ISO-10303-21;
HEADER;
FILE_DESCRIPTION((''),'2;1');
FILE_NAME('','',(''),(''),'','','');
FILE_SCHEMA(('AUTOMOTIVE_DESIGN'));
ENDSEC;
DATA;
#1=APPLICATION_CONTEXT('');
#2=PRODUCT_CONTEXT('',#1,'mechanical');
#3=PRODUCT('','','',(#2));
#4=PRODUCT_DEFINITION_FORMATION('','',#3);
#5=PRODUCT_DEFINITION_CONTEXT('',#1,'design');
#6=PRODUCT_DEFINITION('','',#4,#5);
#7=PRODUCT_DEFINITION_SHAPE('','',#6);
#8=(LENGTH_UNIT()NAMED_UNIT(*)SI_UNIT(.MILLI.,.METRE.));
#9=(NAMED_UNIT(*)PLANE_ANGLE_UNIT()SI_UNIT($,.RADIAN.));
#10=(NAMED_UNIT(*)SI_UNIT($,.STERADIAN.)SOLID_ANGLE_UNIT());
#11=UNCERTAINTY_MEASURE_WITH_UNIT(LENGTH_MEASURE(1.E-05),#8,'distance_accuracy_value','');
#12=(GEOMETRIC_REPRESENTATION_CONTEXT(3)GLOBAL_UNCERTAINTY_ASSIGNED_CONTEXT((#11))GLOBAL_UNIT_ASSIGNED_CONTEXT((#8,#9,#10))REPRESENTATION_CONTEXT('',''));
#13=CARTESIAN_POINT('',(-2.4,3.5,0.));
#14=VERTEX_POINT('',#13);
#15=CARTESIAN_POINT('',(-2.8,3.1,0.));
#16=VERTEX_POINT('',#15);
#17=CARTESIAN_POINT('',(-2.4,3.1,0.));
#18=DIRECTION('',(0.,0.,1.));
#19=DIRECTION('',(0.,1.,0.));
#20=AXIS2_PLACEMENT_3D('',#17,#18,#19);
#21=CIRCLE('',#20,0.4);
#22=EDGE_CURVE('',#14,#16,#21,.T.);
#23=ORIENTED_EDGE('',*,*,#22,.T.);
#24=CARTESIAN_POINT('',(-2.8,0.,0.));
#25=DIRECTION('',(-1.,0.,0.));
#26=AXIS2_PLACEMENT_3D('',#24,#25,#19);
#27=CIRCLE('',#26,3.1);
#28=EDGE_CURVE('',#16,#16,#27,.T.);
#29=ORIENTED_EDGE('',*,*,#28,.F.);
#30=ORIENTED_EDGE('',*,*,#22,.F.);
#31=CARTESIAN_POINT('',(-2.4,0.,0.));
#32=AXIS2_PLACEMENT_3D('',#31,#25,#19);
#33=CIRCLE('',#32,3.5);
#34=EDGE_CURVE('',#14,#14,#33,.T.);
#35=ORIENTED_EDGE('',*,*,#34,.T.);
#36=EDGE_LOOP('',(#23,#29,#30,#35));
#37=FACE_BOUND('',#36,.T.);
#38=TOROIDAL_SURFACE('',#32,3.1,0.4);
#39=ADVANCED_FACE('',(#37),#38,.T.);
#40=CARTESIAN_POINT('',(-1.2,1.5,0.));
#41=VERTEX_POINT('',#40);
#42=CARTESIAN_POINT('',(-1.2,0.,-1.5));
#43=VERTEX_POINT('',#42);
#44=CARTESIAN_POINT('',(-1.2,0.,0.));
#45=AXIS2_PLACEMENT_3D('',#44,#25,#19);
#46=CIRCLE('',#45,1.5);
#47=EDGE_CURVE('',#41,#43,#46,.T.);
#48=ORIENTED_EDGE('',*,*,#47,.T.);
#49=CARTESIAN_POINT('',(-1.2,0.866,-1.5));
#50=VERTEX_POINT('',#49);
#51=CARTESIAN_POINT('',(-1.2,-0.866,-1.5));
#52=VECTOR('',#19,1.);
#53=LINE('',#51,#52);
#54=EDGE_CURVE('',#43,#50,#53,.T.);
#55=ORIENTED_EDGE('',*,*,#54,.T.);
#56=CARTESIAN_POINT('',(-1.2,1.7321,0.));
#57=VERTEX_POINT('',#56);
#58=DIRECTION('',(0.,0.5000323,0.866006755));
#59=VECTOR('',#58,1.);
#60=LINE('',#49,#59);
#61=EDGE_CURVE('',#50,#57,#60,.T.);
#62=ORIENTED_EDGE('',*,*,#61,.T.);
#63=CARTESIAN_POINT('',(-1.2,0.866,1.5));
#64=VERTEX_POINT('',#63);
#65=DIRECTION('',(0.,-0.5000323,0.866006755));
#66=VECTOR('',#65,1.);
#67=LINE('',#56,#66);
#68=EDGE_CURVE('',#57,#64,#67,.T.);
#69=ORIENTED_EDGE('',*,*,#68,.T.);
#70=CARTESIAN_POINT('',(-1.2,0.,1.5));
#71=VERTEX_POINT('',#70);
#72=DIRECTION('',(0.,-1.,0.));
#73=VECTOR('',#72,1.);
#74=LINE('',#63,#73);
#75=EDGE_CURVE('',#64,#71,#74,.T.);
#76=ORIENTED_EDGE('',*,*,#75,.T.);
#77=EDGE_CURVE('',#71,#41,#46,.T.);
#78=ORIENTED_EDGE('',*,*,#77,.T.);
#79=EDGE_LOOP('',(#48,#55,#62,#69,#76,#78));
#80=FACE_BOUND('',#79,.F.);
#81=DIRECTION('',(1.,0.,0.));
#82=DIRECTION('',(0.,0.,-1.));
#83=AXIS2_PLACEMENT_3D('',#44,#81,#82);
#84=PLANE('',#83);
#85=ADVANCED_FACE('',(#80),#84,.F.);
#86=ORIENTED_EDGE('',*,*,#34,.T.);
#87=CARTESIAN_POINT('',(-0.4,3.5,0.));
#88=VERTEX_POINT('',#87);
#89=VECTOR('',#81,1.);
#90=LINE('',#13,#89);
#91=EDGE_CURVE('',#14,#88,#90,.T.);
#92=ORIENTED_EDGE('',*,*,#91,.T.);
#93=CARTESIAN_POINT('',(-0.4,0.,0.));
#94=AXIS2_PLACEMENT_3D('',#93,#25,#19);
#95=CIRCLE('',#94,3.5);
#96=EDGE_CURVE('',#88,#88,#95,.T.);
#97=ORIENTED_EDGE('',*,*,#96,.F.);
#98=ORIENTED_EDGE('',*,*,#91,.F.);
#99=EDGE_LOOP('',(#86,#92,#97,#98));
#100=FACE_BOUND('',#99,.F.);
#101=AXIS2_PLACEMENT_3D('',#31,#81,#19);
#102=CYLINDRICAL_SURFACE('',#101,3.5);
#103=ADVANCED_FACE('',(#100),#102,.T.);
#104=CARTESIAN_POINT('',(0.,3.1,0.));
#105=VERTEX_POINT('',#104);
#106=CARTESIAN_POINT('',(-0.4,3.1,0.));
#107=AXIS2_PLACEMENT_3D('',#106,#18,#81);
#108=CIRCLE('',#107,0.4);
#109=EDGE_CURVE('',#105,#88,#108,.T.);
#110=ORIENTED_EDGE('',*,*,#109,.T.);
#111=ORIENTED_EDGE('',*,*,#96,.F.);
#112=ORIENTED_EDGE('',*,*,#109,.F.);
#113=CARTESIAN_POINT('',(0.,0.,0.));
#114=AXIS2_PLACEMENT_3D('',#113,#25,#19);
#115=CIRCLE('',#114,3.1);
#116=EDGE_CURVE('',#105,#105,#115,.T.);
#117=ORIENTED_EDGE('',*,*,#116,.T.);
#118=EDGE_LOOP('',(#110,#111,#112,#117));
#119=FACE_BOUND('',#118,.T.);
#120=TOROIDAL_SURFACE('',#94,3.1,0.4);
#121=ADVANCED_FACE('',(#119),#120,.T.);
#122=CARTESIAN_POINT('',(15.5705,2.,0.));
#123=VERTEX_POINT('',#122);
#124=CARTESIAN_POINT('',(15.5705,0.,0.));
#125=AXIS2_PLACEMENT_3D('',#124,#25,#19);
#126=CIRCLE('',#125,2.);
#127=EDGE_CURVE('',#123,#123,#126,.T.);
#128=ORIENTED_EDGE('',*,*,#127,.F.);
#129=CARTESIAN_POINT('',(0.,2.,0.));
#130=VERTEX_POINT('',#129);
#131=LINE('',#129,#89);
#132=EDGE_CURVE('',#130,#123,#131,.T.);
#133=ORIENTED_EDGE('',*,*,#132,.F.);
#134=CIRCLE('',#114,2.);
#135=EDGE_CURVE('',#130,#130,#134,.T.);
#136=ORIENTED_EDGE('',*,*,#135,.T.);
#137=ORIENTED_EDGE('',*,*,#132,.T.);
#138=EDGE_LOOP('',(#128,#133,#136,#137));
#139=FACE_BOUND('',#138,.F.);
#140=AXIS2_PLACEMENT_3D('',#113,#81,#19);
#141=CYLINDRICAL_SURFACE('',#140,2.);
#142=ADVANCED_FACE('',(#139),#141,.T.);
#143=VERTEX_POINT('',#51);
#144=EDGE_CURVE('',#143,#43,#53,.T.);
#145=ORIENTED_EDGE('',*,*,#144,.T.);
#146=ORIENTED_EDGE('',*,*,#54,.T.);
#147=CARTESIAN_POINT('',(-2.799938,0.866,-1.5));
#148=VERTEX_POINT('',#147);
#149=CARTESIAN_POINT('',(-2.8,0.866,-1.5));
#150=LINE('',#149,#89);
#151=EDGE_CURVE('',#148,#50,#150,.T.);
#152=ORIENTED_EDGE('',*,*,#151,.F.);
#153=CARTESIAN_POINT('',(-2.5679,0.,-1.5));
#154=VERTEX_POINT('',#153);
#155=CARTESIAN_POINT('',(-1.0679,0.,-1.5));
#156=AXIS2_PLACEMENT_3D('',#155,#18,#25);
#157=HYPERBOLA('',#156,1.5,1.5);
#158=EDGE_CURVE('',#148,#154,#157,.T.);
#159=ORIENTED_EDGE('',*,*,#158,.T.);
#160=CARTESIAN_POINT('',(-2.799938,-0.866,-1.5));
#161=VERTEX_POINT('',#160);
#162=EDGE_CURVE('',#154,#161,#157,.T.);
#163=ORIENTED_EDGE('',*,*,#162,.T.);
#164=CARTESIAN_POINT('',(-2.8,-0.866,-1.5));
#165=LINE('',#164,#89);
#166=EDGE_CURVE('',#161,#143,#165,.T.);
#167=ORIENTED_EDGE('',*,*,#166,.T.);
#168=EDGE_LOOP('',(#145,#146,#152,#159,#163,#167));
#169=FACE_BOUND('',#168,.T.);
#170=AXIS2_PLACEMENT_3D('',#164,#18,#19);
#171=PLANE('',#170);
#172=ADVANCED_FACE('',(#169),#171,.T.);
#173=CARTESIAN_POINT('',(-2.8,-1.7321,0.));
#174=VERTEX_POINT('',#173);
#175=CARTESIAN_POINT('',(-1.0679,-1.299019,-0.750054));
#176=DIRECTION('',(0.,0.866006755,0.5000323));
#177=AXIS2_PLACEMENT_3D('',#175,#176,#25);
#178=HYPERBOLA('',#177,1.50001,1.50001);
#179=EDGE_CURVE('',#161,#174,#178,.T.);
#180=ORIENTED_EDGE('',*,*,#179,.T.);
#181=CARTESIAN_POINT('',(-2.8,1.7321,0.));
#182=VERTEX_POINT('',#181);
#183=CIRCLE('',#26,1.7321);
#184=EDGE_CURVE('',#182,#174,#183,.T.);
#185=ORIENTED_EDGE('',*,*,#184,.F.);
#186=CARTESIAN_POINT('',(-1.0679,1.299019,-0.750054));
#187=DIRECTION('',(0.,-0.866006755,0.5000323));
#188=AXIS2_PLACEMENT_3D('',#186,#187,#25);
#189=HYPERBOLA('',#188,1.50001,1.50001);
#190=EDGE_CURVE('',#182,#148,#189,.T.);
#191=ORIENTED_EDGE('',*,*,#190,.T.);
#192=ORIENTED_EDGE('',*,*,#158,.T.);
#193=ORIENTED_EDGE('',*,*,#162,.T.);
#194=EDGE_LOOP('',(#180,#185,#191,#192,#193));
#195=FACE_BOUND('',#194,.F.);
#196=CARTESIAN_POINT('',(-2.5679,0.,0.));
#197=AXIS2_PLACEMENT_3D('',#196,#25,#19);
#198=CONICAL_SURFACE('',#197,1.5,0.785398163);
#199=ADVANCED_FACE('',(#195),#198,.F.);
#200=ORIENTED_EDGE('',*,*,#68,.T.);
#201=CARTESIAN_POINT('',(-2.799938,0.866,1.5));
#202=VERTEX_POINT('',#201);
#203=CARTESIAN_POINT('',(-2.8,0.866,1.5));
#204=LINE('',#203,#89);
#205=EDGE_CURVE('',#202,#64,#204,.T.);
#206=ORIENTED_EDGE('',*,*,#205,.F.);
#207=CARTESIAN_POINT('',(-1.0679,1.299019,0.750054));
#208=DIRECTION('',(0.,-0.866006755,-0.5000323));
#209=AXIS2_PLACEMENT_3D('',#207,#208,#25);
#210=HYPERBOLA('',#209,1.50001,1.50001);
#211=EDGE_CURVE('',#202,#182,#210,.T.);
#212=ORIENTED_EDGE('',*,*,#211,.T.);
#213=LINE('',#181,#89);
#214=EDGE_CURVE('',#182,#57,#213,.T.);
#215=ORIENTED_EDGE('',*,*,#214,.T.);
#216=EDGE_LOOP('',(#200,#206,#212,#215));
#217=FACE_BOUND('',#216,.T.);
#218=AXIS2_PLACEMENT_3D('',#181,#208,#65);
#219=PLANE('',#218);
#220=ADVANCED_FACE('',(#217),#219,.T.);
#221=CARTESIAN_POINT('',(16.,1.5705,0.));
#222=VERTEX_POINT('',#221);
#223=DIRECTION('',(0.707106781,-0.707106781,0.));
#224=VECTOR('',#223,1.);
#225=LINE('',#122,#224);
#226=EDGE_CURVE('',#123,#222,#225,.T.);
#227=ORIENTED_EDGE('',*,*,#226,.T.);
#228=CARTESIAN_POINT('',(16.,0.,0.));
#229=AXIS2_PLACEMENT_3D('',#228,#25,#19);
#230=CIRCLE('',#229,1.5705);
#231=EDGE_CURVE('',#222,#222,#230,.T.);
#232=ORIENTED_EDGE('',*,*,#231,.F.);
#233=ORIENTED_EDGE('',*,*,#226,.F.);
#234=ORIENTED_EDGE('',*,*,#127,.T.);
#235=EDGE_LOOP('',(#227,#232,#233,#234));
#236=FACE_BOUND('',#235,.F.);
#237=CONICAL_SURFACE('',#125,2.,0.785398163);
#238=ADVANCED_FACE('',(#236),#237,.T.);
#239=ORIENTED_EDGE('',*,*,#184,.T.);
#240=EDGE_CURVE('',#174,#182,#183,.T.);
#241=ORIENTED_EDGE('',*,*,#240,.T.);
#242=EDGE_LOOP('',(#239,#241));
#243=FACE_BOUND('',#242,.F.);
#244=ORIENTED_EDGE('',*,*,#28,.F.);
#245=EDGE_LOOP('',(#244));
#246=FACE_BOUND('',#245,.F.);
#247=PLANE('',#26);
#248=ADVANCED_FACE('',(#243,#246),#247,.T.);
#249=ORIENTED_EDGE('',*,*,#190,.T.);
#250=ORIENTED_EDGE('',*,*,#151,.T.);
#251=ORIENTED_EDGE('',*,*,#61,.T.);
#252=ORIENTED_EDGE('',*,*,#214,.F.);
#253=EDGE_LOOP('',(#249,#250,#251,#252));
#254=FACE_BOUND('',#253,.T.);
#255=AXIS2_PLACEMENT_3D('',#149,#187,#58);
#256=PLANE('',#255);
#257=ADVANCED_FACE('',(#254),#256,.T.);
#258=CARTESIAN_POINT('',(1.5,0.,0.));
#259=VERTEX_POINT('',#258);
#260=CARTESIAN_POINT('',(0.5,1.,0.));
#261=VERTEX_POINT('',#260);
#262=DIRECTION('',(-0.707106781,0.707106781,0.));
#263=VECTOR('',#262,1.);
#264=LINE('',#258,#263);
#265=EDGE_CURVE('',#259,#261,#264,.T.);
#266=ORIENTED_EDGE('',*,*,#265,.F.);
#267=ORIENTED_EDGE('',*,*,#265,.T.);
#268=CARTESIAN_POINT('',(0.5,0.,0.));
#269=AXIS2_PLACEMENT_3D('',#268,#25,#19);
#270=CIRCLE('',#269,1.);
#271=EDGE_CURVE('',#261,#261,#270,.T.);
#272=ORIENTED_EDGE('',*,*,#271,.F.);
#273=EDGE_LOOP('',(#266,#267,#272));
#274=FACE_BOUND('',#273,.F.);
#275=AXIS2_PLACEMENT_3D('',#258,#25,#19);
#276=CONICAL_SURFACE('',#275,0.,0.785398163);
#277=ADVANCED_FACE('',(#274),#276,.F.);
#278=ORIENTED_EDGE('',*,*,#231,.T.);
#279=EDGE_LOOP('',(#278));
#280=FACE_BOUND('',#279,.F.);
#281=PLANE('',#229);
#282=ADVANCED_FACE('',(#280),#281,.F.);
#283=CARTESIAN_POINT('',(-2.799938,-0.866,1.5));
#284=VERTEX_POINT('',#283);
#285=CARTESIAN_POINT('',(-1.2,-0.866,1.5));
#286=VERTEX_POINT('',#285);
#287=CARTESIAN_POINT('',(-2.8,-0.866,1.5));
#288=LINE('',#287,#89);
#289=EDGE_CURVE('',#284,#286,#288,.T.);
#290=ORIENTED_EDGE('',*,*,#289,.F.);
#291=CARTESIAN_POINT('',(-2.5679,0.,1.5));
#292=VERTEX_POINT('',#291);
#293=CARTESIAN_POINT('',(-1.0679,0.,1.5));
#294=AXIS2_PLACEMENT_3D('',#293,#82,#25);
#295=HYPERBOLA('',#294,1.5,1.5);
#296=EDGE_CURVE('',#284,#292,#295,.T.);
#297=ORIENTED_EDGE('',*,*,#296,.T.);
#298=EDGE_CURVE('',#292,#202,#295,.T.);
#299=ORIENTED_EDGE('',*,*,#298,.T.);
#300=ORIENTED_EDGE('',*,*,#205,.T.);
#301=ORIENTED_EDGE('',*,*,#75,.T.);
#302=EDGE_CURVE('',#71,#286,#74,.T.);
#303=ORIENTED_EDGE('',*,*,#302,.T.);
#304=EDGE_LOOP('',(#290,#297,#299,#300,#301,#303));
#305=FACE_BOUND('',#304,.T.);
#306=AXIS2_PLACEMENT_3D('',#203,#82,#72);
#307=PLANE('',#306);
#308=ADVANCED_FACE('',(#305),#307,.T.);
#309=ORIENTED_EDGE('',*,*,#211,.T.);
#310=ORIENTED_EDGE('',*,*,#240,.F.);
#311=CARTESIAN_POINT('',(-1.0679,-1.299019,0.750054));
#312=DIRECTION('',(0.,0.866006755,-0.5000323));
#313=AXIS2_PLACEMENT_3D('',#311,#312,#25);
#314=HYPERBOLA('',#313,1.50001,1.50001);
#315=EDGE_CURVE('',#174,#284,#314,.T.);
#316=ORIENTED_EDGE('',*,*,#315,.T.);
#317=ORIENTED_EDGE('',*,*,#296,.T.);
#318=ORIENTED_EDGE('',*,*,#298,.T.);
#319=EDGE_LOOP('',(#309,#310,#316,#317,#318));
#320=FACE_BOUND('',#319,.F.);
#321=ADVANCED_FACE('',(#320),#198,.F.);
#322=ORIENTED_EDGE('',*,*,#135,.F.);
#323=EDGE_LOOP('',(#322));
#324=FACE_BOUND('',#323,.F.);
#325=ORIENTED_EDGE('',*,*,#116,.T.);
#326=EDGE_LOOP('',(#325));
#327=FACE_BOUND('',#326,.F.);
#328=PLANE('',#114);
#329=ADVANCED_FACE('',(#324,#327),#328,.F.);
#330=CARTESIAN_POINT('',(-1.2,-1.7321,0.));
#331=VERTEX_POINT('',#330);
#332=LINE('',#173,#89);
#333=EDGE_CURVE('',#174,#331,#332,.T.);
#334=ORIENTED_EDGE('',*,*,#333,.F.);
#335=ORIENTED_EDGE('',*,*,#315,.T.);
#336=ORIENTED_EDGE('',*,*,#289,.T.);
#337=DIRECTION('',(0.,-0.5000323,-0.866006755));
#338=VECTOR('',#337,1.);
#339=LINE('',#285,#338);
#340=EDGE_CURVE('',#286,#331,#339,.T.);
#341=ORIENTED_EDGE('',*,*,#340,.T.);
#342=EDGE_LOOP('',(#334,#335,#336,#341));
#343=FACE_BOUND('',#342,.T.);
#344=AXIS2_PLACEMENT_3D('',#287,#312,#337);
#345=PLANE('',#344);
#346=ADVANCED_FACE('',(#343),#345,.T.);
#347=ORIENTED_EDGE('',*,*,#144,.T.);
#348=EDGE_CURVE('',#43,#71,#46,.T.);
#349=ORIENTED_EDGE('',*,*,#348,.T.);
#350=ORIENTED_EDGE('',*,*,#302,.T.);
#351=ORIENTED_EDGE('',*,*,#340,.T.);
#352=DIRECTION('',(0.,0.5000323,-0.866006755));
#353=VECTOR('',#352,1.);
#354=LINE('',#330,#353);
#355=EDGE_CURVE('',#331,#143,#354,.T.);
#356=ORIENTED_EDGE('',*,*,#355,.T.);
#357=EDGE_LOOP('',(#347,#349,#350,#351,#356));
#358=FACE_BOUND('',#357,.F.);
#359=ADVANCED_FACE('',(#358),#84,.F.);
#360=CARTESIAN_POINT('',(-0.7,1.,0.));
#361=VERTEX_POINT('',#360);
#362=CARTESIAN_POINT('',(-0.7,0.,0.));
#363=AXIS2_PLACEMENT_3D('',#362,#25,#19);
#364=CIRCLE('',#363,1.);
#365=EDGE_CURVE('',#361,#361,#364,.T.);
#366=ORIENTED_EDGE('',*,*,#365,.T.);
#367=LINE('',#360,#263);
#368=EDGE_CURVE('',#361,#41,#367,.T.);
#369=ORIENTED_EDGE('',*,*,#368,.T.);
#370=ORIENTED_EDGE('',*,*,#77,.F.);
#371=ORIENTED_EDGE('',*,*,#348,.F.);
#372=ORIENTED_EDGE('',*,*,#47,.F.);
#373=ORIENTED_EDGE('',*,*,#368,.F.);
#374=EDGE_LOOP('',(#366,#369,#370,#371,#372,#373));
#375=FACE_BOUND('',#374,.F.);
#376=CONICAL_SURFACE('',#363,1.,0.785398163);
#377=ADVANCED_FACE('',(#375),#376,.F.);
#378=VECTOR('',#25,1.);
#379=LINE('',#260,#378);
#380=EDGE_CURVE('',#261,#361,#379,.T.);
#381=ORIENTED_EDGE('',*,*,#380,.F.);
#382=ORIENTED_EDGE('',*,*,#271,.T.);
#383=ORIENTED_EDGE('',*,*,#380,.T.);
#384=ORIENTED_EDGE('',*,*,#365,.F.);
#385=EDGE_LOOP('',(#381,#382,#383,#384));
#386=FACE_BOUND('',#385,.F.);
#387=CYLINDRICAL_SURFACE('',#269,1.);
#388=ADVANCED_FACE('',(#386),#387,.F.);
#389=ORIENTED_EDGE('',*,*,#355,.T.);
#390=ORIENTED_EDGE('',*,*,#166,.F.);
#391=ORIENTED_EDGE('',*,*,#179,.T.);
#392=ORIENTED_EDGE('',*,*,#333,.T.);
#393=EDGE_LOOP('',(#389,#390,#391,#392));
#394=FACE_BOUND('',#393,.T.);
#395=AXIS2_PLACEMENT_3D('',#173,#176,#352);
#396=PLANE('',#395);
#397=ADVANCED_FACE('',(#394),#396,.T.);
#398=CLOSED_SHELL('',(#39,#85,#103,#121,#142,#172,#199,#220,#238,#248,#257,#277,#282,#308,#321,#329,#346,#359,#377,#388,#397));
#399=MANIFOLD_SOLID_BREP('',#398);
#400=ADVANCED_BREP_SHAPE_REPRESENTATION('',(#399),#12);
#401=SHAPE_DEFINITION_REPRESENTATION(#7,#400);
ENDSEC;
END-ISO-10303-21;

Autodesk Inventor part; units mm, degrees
sketch "Sketch_1" plane through (0, 0, 0) normal (0, 0, 1) x (1, 0, 0)
  line L0 (16, 0) -> (1.5, 0)
  line L1 (1.5, 0) -> (0.5, 1)
  line L2 (0.5, 1) -> (-0.7, 1)
  line L3 (-0.7, 1) -> (-1.2, 1.5)
  line L4 (-1.2, 1.5) -> (-2.5679, 1.5)
  line L5 (-2.5679, 1.5) -> (-2.8, 1.7321)
  line L6 (-2.8, 1.7321) -> (-2.8, 3.1)
  arc A0 (-2.4, 3.5) -> (-2.8, 3.1) centre (-2.4, 3.1) ccw
  line L7 (-2.4, 3.5) -> (-0.4, 3.5)
  arc A1 (0, 3.1) -> (-0.4, 3.5) centre (-0.4, 3.1) ccw
  line L8 (0, 3.1) -> (0, 2)
  line L9 (0, 2) -> (15.5705, 2)
  line L10 (15.5705, 2) -> (16, 1.5705)
  line L11 (16, 1.5705) -> (16, 0)
  line L12 (16, 0) -> (1.5, 0)
revolve "Revolution1" add sketch "Sketch_1" angle 360 about axis through (16, 0, 0) along (-1, 0, 0)
thread "Thread1" size "M4x0.7" class "6g" standard "ISO Metric profile" length 12.0705
sketch "Sketch_2" plane through (-2.8, 0, 0) normal (1, 0, 0) x (0, 0, -1)
  line L0 (-1.5, -0.866) -> (0, -1.7321)
  line L1 (0, -1.7321) -> (1.5, -0.866)
  line L2 (1.5, -0.866) -> (1.5, 0.866)
  line L3 (1.5, 0.866) -> (0, 1.7321)
  line L4 (0, 1.7321) -> (-1.5, 0.866)
  line L5 (-1.5, 0.866) -> (-1.5, -0.866)
extrude "Extrusion1" cut sketch "Sketch_2" along normal blind 1.6
ref_plane "MONTAGE_XY" through (0, 0, 0) normal (1, 0, 0) x (0, 0, -1)
ref_plane "MONTAGE_YZ" through (0, 0, 0) normal (0, 0, -1) x (0, 1, 0)
ref_plane "MONTAGE_ZX" through (0, 0, 0) normal (0, 1, 0) x (1, 0, 0)
ref_plane "Schrauben_punkt_XY" through (16, 0, 0) normal (-1, 0, 0) x (0, 0, -1)
ref_plane "Schrauben_punkt_YZ" through (16, 0, 0) normal (0, 0, -1) x (0, -1, 0)
ref_plane "Schrauben_punkt_ZX" through (16, 0, 0) normal (0, -1, 0) x (-1, 0, 0)
properties part number "DIN-6912 - M4x16(F)"
